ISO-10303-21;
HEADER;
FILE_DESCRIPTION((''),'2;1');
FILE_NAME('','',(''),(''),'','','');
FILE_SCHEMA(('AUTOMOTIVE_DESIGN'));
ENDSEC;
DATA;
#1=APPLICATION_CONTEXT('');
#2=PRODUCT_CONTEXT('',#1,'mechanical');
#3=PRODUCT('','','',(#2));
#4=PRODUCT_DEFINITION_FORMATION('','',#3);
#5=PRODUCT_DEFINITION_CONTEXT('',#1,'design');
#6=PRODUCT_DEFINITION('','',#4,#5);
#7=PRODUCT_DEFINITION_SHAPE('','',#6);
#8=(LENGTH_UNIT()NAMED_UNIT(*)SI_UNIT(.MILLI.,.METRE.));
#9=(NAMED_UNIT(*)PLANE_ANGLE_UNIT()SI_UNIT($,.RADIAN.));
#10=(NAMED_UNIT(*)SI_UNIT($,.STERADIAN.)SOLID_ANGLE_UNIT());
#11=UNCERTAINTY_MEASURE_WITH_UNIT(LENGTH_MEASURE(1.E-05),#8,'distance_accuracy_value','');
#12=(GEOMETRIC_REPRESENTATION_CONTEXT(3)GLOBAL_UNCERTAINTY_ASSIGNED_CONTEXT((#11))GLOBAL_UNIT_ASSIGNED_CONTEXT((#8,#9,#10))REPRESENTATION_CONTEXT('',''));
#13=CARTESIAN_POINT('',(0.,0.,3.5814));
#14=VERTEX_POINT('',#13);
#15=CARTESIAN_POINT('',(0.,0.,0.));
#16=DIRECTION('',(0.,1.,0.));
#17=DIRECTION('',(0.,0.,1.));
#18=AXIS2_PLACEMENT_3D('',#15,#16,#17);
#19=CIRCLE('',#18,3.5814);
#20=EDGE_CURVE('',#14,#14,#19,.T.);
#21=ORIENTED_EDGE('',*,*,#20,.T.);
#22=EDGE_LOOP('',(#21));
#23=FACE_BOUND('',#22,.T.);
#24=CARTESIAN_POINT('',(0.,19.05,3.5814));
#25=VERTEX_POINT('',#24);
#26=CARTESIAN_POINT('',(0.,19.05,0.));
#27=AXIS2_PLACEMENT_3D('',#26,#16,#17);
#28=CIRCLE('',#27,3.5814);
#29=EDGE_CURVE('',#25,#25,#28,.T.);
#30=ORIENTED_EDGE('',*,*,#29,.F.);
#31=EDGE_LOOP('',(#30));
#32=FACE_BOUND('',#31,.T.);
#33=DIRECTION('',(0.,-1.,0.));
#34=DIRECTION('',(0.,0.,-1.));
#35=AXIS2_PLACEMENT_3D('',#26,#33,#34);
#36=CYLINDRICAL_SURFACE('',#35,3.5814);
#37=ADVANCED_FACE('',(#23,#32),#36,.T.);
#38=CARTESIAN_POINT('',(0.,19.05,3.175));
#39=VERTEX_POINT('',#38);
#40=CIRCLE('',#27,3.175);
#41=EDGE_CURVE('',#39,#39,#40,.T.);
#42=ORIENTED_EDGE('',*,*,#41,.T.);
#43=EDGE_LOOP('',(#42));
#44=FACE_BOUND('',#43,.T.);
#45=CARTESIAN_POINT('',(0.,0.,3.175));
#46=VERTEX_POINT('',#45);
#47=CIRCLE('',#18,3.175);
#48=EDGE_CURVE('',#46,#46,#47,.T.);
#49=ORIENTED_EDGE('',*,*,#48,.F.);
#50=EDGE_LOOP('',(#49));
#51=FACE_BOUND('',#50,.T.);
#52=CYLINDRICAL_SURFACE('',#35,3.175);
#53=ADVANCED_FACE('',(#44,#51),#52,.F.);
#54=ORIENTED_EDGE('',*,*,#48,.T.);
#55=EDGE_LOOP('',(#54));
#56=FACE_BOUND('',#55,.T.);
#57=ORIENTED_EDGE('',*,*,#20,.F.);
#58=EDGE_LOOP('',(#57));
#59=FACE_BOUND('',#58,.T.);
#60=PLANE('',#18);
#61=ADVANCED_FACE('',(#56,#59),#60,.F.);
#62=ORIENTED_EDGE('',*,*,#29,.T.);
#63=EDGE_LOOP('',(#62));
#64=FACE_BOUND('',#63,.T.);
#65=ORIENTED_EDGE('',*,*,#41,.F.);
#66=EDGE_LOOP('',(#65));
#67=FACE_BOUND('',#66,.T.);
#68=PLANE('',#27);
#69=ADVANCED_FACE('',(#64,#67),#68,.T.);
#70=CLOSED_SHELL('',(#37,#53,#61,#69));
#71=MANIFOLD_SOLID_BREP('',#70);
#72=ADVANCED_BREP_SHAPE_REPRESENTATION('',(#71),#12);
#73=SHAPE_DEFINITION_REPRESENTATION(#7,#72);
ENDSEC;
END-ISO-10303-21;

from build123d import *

# Parameters (mm, degrees)
SKETCH1_R      = 3.5814
SKETCH1_R_2    = 3.175
EXTRUDE1_DEPTH = 19.05


with BuildPart() as part:
    # Sketch1 → Extrude1 (new body)
    with BuildSketch(Plane(origin=(0, 0, 0), x_dir=(1, 0, 0), z_dir=(0, 1, 0))):
        Circle(SKETCH1_R)
        Circle(SKETCH1_R_2, mode=Mode.SUBTRACT)
    extrude(amount=EXTRUDE1_DEPTH)


solid = part.part
